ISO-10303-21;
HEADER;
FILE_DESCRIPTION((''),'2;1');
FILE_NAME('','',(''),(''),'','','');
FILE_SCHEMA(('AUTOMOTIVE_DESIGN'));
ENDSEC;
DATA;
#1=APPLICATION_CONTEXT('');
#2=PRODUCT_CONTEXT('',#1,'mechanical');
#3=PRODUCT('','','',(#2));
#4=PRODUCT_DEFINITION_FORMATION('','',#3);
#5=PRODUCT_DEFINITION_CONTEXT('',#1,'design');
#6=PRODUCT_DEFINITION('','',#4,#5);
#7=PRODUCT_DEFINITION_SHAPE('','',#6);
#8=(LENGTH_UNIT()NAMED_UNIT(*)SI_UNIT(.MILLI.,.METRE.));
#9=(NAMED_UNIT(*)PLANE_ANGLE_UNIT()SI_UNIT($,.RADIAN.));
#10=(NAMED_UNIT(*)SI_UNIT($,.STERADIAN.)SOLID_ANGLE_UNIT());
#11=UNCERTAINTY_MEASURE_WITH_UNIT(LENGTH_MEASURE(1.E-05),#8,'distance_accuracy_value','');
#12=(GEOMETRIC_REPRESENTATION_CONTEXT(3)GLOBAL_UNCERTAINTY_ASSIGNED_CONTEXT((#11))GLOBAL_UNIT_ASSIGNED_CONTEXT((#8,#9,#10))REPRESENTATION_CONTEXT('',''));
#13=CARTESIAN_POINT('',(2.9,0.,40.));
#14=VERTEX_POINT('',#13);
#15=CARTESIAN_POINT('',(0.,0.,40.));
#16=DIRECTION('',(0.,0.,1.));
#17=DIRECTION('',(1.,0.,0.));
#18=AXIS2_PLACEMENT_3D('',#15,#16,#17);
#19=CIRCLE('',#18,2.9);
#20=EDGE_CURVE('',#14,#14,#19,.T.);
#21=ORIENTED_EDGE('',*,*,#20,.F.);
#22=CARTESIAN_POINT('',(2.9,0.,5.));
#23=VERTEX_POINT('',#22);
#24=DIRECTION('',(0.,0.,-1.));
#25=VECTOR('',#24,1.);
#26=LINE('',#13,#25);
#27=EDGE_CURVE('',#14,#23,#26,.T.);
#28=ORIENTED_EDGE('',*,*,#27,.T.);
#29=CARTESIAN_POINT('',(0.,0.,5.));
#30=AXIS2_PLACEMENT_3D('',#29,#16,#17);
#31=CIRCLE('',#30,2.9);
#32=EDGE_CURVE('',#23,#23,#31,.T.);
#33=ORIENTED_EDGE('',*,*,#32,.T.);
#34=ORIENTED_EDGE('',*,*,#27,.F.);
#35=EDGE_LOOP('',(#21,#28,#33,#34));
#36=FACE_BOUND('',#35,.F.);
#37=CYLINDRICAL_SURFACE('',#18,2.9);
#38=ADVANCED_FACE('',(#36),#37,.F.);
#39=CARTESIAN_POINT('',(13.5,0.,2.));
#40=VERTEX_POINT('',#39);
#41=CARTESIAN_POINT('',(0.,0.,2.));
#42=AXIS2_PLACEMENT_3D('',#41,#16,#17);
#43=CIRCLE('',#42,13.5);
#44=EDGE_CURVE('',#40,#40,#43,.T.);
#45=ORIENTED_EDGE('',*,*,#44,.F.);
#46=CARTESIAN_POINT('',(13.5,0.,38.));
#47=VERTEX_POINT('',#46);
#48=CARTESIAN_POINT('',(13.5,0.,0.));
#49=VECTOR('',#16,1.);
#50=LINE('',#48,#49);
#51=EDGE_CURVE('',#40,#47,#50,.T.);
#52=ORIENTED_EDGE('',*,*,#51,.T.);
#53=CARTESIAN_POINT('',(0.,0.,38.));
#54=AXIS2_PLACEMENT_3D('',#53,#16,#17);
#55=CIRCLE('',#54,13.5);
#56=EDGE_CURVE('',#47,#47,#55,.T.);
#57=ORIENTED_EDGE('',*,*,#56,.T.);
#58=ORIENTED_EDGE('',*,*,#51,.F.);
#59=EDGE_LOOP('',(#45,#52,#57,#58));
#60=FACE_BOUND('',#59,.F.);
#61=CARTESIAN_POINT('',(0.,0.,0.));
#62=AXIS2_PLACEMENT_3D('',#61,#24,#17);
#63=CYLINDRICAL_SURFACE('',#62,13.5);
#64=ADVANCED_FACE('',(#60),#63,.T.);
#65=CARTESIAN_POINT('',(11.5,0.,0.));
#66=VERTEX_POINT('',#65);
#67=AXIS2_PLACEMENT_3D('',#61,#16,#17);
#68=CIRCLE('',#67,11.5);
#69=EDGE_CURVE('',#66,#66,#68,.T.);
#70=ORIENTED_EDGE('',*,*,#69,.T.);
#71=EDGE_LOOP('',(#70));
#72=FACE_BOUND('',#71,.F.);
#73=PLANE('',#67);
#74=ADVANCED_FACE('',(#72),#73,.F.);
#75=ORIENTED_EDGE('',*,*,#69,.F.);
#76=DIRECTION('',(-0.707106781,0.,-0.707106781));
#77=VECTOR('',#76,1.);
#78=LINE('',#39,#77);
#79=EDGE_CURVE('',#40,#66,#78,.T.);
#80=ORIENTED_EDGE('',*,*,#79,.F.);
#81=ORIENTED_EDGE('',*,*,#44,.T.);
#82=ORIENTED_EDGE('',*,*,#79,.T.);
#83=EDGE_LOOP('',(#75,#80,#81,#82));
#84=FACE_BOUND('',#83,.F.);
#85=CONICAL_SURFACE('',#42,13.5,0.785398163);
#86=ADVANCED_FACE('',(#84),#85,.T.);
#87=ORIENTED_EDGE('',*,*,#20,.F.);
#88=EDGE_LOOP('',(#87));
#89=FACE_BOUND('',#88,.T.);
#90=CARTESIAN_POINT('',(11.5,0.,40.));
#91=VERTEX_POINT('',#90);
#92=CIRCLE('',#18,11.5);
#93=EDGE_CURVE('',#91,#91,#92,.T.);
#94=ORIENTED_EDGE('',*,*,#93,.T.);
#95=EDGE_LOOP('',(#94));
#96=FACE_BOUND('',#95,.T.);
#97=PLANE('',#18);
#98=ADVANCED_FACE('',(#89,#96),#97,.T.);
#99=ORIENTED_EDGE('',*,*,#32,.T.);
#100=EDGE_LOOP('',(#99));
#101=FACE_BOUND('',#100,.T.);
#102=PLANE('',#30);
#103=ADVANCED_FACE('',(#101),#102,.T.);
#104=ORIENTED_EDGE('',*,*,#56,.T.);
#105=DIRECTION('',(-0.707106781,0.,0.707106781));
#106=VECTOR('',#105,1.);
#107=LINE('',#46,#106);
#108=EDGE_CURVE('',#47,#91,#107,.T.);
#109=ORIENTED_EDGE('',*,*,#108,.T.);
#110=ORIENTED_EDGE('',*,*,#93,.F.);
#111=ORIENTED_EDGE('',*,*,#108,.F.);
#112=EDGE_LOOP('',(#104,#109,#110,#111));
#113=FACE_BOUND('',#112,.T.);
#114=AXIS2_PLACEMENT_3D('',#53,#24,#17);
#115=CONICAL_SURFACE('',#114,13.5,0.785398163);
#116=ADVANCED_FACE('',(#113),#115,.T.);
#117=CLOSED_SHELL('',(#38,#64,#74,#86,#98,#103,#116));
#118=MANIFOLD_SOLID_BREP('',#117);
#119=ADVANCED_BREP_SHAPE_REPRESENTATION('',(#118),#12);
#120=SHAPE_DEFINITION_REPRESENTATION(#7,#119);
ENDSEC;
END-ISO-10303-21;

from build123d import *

# Parameters (mm, degrees)
F0_R     = 13.5
F1_DEPTH = 40
F2_R     = 2.9
F3_DEPTH = 35
F4_SIZE  = 2


with BuildPart() as f1:
    # F0 (on Top) → F1 (new body)
    with BuildSketch(Plane.XY):
        Circle(F0_R)
    extrude(amount=F1_DEPTH)

    # F2 (on face) → F3 (cut)
    with BuildSketch(Plane.XY.offset(40)):
        Circle(F2_R)
    extrude(amount=-F3_DEPTH, mode=Mode.SUBTRACT)

    # F4
    f4_edges = [f1.edges().sort_by_distance(p)[0] for p in [
        (-13.5, 0, 0),
        (-13.5, 0, 40),
    ]]
    chamfer(f4_edges, length=F4_SIZE)


solid = f1.part
